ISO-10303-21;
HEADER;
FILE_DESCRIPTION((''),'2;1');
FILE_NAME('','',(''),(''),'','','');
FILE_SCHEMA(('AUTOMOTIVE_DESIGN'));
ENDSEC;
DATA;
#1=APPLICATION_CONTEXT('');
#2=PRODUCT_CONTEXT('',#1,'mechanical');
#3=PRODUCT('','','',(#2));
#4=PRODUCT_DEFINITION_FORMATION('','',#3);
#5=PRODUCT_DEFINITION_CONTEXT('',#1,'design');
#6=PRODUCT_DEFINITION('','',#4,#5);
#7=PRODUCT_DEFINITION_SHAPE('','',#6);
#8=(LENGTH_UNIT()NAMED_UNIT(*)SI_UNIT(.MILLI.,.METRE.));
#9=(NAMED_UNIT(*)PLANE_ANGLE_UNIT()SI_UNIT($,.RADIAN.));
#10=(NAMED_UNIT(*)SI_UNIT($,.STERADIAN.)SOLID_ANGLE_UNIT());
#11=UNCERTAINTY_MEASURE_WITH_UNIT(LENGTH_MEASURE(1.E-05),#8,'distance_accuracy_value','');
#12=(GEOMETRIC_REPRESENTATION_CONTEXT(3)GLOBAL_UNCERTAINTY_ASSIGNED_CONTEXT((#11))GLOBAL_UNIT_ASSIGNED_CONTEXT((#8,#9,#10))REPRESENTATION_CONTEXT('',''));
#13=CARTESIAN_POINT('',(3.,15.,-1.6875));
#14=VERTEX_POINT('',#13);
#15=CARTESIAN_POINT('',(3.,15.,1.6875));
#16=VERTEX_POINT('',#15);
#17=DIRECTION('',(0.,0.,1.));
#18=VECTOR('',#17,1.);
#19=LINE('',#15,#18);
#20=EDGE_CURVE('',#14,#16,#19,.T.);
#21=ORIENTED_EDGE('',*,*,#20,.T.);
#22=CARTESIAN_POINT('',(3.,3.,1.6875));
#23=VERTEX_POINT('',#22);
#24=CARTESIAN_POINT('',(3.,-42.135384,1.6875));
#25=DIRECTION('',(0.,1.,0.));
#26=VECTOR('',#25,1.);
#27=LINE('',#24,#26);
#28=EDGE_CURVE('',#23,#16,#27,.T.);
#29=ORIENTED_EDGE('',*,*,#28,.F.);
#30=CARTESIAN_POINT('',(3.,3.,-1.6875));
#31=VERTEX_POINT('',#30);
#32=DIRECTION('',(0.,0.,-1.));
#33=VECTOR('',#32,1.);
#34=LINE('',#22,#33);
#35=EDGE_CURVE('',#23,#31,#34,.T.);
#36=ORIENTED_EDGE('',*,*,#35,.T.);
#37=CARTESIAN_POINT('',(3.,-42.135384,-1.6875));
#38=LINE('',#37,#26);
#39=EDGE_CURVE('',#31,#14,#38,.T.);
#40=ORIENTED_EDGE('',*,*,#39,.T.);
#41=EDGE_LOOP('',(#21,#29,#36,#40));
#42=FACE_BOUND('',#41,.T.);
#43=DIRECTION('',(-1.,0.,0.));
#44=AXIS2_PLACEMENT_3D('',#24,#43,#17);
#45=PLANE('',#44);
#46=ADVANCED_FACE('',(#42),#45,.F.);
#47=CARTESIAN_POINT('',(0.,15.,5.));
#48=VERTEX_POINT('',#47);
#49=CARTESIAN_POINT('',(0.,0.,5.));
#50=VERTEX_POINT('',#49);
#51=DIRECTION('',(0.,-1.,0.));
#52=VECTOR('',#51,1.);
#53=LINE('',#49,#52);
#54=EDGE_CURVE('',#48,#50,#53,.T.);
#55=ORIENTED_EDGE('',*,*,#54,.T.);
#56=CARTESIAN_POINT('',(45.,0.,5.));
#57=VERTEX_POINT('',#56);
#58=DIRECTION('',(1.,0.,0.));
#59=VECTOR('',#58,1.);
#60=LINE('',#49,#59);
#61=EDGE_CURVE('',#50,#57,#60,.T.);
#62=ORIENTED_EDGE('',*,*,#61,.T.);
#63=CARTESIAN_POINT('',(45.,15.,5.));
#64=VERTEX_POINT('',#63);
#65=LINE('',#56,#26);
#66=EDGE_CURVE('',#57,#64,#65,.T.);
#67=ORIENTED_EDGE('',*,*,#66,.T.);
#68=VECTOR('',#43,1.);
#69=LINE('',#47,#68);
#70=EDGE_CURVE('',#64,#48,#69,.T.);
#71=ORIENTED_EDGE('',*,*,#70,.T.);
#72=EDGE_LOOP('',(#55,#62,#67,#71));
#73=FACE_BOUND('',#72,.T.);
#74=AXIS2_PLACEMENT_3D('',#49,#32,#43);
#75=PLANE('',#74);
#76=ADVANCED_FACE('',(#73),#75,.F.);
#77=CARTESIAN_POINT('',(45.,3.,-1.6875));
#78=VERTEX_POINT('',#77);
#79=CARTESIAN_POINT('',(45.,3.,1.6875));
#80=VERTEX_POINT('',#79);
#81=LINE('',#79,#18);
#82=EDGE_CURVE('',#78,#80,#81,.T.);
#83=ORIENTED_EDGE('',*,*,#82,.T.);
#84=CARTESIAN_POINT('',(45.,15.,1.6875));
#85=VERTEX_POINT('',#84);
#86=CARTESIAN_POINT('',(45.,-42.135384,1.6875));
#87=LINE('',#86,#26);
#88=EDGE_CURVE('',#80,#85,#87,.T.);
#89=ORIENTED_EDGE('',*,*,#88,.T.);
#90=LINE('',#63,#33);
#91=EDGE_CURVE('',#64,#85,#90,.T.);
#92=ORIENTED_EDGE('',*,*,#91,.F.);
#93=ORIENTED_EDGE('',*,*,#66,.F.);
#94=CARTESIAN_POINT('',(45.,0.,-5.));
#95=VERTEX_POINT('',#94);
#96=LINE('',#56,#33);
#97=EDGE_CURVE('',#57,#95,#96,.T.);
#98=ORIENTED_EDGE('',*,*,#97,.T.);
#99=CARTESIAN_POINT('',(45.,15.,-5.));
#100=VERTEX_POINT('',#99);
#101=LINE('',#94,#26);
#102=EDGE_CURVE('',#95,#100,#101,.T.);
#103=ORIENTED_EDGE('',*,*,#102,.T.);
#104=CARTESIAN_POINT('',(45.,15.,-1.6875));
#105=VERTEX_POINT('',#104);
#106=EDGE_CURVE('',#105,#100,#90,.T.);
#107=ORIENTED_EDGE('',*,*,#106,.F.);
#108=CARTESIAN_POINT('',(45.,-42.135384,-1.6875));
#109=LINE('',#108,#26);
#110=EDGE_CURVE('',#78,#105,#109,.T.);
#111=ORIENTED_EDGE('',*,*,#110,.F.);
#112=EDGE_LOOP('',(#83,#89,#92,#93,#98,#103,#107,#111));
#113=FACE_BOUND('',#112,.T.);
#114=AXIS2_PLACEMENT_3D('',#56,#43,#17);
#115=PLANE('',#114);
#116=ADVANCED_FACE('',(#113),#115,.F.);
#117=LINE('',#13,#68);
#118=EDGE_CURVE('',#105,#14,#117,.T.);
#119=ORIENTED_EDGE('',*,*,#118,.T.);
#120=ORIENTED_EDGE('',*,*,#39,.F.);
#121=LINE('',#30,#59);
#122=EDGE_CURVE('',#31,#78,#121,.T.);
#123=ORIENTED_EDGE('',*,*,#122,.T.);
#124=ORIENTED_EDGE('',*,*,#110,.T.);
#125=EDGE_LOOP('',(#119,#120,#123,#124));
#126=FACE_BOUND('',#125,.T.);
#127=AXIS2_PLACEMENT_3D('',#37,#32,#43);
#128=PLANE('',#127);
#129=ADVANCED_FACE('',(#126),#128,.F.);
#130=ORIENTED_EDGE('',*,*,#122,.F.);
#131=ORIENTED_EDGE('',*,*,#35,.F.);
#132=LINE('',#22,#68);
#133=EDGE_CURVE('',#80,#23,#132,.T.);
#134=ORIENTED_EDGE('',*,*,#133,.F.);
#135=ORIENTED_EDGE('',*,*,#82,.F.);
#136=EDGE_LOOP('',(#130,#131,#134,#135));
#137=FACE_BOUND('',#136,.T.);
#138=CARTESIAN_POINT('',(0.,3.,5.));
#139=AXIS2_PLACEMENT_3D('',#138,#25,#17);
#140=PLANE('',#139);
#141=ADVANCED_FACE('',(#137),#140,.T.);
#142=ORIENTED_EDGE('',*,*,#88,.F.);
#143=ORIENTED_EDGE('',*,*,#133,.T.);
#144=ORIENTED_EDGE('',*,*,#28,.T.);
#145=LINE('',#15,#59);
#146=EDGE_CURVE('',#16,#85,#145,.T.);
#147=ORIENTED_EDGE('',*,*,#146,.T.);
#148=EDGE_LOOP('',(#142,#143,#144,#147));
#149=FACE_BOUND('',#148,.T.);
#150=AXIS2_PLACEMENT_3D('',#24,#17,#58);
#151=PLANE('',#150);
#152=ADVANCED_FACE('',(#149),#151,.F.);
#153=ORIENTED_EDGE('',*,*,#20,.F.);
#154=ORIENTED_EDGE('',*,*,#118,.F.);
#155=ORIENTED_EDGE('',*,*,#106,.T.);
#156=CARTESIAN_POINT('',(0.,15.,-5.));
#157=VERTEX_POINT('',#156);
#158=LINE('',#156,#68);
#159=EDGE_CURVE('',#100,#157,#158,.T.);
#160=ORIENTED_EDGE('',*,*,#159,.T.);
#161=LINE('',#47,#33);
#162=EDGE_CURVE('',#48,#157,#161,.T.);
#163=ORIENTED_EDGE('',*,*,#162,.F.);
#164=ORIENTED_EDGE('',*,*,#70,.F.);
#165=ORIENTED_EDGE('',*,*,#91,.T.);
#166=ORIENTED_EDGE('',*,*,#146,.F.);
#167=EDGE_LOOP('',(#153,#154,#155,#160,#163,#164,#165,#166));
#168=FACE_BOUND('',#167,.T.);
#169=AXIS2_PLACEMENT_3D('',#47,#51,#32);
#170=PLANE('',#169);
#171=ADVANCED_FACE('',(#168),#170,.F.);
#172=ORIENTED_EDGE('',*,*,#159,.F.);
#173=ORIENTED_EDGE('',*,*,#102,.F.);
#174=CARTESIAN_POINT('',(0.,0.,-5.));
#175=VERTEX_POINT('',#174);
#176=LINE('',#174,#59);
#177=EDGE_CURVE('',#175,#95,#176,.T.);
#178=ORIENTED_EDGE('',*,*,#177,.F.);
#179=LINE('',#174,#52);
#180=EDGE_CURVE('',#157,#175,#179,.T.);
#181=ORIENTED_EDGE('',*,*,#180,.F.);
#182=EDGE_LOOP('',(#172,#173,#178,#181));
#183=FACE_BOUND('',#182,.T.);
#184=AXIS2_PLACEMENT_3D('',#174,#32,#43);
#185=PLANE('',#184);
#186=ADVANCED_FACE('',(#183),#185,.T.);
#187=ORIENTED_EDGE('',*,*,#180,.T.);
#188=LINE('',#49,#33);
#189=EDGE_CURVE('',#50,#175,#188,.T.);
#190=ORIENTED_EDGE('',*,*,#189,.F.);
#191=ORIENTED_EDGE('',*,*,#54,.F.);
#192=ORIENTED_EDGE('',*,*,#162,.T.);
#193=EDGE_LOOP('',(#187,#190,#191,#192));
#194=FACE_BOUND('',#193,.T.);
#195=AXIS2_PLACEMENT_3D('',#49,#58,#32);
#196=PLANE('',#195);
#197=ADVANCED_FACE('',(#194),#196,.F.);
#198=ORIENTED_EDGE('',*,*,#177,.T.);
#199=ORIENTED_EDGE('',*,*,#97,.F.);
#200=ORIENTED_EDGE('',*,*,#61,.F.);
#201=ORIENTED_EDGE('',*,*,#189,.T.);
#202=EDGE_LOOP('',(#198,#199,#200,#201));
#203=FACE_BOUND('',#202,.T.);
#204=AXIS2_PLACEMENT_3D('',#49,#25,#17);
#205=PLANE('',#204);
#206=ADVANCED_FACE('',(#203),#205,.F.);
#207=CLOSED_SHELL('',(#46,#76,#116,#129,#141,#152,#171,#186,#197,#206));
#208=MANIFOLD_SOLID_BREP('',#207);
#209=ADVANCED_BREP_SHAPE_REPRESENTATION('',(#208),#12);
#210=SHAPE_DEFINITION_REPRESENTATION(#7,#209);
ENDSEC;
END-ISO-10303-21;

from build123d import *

# Parameters (mm, degrees)
SKETCH2_W           = 45
SKETCH2_H           = 15
BOSS_EXTRUDE1_DEPTH = 5
SKETCH3_W           = 42
SKETCH3_H           = 3.375
CUT_EXTRUDE1_DEPTH  = 12


with BuildPart() as part:
    # Sketch2 → Boss-Extrude1 (new, symmetric)
    with BuildSketch(Plane.XY):
        with Locations((22.5, 7.5)):
            Rectangle(SKETCH2_W, SKETCH2_H)
    extrude(amount=BOSS_EXTRUDE1_DEPTH, both=True)

    # Sketch3 → Cut-Extrude1 (cut)
    with BuildSketch(Plane(origin=(0, 15, 0), x_dir=(1, 0, 0), z_dir=(0, 1, 0))):
        with Locations((24, 0)):
            Rectangle(SKETCH3_W, SKETCH3_H)
    extrude(amount=-CUT_EXTRUDE1_DEPTH, mode=Mode.SUBTRACT)


solid = part.part
